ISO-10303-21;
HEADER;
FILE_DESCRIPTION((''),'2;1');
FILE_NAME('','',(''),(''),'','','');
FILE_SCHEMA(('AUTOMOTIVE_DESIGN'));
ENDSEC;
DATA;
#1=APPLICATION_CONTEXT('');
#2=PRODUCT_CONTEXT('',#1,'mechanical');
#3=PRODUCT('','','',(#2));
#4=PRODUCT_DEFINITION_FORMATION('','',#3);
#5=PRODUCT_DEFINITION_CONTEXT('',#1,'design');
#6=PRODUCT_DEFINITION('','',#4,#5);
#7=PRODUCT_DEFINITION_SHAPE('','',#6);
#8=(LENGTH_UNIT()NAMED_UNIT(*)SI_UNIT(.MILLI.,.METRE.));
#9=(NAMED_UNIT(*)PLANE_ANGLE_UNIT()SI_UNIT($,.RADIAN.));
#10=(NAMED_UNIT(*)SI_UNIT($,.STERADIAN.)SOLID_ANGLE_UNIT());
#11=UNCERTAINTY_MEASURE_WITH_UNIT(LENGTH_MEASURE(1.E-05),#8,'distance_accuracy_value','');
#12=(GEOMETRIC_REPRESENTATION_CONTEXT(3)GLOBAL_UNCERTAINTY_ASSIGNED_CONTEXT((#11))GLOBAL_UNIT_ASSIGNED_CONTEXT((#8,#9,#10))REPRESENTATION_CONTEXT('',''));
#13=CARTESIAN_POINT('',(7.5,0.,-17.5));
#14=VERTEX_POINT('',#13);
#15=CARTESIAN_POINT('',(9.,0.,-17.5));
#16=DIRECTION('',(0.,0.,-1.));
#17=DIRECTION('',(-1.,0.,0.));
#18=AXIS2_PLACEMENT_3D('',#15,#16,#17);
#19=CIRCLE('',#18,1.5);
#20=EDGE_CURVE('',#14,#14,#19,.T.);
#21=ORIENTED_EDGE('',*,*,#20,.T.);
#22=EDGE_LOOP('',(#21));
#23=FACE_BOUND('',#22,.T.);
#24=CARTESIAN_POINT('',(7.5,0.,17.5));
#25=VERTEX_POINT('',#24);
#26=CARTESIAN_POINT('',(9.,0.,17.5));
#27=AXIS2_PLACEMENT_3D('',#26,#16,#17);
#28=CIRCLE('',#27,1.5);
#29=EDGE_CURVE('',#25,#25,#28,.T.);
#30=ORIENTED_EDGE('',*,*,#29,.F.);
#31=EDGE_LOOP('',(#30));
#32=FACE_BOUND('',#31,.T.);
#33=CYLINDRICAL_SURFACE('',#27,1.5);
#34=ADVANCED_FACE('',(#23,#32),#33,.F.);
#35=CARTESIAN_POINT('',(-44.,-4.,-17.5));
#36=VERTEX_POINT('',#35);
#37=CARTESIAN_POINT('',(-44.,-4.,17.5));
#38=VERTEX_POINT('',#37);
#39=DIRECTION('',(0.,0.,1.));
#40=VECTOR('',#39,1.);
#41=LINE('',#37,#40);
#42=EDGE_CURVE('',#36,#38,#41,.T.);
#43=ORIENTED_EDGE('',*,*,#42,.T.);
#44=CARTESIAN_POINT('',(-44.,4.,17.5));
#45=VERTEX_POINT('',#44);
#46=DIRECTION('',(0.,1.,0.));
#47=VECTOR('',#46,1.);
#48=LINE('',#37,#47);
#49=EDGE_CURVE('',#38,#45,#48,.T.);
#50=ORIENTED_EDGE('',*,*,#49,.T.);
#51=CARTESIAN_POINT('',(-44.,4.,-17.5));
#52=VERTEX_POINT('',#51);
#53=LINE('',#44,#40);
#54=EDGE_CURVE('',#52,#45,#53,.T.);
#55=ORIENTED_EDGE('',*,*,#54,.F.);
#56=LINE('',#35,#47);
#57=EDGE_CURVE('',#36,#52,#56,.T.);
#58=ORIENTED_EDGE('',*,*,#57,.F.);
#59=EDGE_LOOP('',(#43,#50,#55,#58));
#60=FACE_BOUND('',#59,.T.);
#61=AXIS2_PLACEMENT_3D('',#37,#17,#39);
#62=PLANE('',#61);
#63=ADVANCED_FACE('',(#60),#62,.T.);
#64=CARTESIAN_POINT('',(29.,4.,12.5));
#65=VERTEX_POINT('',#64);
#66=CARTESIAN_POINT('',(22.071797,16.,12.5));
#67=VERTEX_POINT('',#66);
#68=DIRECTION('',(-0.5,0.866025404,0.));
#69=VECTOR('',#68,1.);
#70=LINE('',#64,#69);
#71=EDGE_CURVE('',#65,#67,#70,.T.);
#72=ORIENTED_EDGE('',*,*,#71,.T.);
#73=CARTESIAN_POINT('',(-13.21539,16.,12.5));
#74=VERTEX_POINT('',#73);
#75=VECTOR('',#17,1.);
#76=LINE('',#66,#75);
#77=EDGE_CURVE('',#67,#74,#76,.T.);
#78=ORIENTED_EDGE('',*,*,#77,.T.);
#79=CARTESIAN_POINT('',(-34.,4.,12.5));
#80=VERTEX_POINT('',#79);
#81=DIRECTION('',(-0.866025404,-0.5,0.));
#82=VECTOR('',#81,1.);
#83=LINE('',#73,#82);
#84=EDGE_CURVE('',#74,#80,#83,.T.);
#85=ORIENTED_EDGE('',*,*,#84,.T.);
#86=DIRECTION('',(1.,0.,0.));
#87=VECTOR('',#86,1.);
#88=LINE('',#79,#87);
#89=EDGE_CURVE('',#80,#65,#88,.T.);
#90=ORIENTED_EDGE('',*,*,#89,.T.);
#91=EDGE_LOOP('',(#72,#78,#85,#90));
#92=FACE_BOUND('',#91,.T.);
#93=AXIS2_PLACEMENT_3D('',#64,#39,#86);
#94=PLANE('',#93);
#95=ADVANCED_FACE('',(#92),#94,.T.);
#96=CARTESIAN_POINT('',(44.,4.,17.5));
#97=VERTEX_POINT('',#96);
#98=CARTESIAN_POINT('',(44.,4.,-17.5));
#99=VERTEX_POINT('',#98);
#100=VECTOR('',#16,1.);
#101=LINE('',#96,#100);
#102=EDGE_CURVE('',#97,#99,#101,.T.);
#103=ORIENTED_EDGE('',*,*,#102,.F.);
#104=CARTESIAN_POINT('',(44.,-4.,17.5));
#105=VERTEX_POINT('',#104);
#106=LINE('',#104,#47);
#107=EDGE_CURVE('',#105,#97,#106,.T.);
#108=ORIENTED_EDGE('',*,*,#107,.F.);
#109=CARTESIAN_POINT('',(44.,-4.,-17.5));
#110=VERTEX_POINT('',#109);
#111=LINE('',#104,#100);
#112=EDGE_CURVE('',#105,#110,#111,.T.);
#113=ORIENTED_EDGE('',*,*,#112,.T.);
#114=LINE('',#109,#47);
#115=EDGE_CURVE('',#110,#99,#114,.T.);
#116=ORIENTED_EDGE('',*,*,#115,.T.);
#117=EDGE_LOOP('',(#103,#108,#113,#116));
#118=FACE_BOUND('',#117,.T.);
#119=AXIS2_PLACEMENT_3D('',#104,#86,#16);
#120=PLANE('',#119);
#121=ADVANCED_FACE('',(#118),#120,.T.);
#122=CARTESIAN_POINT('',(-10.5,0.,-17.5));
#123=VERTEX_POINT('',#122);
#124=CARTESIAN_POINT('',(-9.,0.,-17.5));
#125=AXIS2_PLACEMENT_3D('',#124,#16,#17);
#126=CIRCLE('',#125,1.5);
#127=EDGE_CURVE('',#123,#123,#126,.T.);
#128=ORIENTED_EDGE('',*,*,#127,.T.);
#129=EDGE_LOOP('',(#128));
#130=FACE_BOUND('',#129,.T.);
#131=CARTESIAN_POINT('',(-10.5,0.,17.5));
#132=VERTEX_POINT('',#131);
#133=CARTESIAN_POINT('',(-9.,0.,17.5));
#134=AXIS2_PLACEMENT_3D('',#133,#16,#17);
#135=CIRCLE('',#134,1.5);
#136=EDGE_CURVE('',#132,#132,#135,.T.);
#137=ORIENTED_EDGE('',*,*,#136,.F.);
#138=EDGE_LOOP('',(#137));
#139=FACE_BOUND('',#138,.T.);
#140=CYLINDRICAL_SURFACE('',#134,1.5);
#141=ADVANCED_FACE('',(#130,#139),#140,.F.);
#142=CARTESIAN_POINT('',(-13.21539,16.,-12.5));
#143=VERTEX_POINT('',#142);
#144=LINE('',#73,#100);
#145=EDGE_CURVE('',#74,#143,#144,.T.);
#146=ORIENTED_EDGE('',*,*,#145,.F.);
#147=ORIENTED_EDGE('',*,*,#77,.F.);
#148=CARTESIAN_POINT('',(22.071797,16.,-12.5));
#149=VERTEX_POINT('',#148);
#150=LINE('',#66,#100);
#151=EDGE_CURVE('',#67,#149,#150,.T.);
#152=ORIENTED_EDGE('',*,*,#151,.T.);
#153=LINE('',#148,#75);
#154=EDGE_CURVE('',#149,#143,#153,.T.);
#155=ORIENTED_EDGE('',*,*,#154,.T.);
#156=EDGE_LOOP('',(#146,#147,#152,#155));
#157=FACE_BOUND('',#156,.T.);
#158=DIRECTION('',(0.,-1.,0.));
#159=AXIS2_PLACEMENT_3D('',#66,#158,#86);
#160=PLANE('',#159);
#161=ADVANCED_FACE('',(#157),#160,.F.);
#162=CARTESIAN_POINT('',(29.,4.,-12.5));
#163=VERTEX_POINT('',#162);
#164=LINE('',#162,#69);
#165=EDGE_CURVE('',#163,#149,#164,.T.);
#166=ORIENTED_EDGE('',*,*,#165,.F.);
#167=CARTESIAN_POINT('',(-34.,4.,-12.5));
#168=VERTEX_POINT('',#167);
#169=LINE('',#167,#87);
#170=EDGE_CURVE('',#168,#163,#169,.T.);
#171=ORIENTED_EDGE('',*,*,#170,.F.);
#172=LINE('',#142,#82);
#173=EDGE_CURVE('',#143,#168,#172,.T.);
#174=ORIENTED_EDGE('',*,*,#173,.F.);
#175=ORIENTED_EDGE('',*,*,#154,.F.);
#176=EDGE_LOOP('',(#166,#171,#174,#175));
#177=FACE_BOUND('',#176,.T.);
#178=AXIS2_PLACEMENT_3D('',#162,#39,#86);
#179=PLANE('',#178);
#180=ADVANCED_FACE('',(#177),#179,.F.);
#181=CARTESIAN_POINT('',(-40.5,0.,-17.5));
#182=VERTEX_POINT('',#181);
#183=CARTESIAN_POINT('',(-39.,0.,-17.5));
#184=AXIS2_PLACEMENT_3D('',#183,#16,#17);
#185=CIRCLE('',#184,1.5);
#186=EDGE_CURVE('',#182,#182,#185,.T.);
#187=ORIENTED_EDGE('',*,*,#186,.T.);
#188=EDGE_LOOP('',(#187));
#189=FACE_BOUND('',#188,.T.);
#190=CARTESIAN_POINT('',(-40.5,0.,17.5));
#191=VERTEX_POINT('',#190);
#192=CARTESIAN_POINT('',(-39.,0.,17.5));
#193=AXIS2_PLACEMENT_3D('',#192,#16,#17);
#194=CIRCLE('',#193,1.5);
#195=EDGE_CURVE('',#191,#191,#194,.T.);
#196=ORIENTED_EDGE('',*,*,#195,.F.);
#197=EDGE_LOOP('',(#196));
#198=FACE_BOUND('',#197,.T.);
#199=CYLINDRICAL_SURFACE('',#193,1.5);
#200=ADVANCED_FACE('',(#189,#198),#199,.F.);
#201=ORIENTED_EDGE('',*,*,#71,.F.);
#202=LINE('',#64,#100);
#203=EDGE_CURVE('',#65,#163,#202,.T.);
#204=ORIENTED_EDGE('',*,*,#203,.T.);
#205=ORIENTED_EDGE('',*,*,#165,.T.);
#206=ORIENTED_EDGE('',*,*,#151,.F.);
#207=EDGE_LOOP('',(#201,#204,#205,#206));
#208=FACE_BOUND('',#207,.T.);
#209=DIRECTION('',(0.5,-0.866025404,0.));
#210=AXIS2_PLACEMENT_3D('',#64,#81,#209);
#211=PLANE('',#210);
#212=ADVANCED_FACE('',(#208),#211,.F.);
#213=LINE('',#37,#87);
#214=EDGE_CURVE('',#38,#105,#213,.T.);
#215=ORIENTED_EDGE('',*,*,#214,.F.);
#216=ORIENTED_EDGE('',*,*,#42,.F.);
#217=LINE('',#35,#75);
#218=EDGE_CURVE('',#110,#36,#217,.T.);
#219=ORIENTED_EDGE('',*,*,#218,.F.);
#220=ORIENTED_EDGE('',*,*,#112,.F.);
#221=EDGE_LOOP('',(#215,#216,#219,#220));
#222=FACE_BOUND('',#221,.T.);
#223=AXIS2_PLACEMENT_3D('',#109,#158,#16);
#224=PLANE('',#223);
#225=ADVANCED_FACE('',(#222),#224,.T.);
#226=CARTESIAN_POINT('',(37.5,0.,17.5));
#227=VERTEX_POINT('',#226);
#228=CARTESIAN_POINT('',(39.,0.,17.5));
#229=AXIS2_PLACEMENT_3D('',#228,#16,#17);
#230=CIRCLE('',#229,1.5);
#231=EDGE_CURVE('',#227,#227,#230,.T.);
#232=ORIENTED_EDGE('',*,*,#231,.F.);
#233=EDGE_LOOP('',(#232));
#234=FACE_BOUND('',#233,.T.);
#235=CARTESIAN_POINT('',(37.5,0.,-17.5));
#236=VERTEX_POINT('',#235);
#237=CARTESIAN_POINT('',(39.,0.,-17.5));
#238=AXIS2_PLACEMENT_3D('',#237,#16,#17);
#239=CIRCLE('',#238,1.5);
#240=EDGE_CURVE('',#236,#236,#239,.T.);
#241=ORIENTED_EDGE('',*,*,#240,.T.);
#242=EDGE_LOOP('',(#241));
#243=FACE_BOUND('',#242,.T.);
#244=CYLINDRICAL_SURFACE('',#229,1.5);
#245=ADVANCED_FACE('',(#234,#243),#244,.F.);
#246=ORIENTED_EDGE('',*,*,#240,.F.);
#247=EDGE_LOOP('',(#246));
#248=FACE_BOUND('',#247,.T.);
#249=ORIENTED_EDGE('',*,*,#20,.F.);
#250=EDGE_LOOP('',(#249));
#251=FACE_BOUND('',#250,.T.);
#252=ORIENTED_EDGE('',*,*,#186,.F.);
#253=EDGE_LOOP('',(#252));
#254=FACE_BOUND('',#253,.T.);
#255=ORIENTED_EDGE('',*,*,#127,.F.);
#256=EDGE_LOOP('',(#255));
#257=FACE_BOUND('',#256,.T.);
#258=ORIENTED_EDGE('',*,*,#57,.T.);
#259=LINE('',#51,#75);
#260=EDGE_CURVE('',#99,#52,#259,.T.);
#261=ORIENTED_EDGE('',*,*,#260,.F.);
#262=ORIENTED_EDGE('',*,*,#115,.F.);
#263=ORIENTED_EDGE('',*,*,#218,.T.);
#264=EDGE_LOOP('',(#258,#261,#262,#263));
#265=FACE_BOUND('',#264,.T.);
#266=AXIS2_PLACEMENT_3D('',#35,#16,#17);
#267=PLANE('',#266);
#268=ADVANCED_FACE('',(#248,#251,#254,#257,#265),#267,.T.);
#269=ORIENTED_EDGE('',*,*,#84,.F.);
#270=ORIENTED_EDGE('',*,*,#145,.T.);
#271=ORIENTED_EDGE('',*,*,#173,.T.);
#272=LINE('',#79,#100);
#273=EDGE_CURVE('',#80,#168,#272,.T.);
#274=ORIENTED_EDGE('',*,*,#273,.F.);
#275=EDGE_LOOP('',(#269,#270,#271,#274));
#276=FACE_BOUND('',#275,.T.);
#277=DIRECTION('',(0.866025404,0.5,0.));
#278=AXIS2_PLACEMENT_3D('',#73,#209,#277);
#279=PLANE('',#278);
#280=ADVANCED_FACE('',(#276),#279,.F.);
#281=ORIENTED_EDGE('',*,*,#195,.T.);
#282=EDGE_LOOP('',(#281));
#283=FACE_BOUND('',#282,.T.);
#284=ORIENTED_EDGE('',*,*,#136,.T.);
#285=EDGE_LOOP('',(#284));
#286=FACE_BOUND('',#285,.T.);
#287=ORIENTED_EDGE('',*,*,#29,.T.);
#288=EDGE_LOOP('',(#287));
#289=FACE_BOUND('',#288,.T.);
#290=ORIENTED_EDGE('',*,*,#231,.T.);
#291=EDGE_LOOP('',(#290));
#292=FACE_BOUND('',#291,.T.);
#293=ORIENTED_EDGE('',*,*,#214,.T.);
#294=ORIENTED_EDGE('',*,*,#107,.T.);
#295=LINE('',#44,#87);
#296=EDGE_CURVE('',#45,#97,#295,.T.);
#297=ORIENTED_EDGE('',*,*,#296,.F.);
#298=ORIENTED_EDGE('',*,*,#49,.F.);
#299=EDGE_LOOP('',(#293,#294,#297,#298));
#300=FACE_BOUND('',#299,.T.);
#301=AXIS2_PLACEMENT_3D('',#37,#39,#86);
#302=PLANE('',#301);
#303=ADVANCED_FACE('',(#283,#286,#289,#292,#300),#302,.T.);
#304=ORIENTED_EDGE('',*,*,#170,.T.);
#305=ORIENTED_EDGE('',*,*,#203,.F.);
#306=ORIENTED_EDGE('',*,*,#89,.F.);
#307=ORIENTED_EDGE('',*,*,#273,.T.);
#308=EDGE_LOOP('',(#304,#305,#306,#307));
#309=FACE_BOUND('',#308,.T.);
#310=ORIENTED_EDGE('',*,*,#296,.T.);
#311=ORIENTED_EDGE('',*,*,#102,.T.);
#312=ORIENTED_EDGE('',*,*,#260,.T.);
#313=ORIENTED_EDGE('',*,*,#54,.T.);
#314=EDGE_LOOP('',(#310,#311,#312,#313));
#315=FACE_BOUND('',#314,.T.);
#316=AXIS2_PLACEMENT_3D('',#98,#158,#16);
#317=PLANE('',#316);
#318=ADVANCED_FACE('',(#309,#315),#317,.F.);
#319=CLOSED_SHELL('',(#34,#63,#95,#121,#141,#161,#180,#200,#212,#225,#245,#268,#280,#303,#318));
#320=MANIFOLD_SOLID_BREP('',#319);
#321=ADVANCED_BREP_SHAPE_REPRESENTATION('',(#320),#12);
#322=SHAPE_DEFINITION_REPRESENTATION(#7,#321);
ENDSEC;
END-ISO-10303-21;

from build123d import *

# Parameters (mm, degrees)
EXTRUDE_1_DEPTH      = 4
EXTRUDE_1_DEPTH_BACK = 4
SKETCH_1_W           = 88
SKETCH_1_H           = 35
SKETCH_2_R           = 1.5
CUT_EXTRUDE_1_DEPTH  = 57.364882684
EXTRUDE_2_DEPTH      = 12.5


with BuildPart() as part:
    # 草图1 → 凸台-拉伸1 (new, two sides: drawn at the far end of the back side and taken through both)
    with BuildSketch(Plane(origin=(0, 0, 0), x_dir=(1, 0, 0), z_dir=(0, 1, 0)).offset(-EXTRUDE_1_DEPTH_BACK)):
        Rectangle(SKETCH_1_W, SKETCH_1_H)
    extrude(amount=EXTRUDE_1_DEPTH + EXTRUDE_1_DEPTH_BACK)

    # 草图2 → 切除-拉伸1 (cut, through all)
    with BuildSketch(Plane(origin=(0, 0, -17.5), x_dir=(-1, 0, 0), z_dir=(0, 0, -1))):
        with Locations((39, 0)):
            Circle(SKETCH_2_R)
        with Locations((-39, 0)):
            Circle(SKETCH_2_R)
        with Locations((-9, 0)):
            Circle(SKETCH_2_R)
        with Locations((9, 0)):
            Circle(SKETCH_2_R)
    extrude(amount=-CUT_EXTRUDE_1_DEPTH, mode=Mode.SUBTRACT)

    # 草图3 → 凸台-拉伸2 (add, symmetric)
    with BuildSketch(Plane.XY):
        Polygon((29, 4), (22.07179677, 16), (-13.215390309, 16), (-34, 4), align=None)
    extrude(amount=EXTRUDE_2_DEPTH, both=True)


solid = part.part
